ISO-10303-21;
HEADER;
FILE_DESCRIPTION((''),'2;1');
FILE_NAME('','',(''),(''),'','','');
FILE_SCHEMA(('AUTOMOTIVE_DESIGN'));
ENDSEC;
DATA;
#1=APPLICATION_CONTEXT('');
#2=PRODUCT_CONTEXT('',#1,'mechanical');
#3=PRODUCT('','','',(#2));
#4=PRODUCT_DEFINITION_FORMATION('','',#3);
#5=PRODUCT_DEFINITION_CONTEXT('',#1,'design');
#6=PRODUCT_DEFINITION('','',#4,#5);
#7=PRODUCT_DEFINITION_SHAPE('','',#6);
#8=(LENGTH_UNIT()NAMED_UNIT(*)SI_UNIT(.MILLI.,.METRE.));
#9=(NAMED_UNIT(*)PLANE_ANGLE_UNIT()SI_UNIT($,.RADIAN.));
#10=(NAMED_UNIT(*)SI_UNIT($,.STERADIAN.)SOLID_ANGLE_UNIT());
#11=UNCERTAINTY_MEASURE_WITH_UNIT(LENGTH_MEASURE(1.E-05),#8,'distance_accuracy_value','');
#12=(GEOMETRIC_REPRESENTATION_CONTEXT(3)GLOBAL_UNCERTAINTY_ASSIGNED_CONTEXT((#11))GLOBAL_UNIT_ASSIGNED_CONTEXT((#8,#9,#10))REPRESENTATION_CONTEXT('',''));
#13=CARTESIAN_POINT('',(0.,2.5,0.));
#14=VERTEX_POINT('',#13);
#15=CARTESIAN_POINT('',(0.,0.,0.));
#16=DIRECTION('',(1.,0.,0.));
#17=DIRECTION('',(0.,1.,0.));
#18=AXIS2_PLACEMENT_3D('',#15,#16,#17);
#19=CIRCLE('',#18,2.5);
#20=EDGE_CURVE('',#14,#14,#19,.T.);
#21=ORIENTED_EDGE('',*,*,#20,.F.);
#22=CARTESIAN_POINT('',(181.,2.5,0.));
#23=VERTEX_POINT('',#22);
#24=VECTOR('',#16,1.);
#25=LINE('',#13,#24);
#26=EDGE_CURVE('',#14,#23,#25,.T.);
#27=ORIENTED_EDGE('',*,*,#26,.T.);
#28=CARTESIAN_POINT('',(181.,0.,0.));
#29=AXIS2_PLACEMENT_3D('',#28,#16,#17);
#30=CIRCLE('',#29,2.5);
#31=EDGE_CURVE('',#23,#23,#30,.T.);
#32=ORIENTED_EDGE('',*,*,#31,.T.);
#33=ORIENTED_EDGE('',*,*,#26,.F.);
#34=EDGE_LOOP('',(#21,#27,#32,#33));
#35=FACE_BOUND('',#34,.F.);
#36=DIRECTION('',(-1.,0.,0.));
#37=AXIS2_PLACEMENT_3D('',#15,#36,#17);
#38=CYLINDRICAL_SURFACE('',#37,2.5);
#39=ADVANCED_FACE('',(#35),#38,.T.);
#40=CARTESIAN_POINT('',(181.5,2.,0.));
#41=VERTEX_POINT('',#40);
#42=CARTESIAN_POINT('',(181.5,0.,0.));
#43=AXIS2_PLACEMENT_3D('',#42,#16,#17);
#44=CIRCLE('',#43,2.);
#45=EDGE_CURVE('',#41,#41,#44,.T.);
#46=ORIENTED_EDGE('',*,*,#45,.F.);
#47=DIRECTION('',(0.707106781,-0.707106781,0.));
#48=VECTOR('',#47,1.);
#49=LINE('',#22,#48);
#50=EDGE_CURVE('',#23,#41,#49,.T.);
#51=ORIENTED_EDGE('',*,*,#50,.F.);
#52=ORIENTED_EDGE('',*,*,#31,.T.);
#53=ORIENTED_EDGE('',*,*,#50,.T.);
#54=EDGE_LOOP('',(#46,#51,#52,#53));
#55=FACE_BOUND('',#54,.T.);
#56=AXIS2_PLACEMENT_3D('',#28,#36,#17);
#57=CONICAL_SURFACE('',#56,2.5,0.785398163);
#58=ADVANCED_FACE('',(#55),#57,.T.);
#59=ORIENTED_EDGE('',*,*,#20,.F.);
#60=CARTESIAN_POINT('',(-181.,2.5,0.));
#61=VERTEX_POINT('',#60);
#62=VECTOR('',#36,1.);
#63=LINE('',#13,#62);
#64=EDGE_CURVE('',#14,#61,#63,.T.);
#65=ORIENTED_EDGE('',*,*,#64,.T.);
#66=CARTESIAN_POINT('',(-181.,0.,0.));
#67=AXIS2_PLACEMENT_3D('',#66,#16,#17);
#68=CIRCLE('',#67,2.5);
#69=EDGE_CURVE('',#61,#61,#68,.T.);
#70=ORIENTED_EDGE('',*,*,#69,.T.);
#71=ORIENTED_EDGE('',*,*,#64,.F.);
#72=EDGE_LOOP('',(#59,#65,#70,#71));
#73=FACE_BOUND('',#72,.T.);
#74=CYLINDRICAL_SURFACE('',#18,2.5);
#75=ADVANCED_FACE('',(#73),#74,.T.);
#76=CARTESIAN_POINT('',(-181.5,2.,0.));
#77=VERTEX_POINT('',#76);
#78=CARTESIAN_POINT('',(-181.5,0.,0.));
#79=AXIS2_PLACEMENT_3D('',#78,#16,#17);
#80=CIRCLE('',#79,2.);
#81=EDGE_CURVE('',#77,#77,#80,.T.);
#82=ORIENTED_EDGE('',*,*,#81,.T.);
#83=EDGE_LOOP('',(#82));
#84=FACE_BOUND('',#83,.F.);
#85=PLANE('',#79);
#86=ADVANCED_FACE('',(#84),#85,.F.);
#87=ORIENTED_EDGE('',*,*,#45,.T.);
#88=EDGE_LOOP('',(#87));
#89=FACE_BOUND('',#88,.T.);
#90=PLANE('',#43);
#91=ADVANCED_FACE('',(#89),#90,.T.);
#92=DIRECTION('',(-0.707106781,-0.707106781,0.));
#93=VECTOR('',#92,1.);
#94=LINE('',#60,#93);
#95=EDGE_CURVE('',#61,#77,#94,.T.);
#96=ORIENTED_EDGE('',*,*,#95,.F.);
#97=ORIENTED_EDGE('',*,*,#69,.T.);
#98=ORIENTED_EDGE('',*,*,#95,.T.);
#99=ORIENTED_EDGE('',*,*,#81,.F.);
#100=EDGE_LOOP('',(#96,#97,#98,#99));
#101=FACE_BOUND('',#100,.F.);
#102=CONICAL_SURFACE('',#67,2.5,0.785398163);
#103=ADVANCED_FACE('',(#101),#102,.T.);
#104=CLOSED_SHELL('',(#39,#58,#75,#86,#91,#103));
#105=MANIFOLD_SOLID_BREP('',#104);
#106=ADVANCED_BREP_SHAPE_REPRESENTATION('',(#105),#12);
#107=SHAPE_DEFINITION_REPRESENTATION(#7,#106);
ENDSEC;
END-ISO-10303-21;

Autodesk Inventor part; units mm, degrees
ref_plane "YZ Plane" through (0, 0, 0) normal (1, 0, 0) x (0, 1, 0)
ref_plane "XZ Plane" through (0, 0, 0) normal (0, 1, 0) x (-1, 0, 0)
ref_plane "XY Plane" through (0, 0, 0) normal (0, 0, 1) x (1, 0, 0)
sketch "Эскиз1" plane through (0, 0, 0) normal (1, 0, 0) x (0, 1, 0)
  circle A0 centre (0, 0) radius 2.5
  dimension "d0" = 5
extrude "Выдавливание1" add sketch "Эскиз1" along normal mid plane 363
chamfer "Фаска1" distance 0.5 angle 45 2 edges at (181.5, -2.5, 0) (-181.5, -2.5, 0)
properties part number "ВАЛ 5мм"
